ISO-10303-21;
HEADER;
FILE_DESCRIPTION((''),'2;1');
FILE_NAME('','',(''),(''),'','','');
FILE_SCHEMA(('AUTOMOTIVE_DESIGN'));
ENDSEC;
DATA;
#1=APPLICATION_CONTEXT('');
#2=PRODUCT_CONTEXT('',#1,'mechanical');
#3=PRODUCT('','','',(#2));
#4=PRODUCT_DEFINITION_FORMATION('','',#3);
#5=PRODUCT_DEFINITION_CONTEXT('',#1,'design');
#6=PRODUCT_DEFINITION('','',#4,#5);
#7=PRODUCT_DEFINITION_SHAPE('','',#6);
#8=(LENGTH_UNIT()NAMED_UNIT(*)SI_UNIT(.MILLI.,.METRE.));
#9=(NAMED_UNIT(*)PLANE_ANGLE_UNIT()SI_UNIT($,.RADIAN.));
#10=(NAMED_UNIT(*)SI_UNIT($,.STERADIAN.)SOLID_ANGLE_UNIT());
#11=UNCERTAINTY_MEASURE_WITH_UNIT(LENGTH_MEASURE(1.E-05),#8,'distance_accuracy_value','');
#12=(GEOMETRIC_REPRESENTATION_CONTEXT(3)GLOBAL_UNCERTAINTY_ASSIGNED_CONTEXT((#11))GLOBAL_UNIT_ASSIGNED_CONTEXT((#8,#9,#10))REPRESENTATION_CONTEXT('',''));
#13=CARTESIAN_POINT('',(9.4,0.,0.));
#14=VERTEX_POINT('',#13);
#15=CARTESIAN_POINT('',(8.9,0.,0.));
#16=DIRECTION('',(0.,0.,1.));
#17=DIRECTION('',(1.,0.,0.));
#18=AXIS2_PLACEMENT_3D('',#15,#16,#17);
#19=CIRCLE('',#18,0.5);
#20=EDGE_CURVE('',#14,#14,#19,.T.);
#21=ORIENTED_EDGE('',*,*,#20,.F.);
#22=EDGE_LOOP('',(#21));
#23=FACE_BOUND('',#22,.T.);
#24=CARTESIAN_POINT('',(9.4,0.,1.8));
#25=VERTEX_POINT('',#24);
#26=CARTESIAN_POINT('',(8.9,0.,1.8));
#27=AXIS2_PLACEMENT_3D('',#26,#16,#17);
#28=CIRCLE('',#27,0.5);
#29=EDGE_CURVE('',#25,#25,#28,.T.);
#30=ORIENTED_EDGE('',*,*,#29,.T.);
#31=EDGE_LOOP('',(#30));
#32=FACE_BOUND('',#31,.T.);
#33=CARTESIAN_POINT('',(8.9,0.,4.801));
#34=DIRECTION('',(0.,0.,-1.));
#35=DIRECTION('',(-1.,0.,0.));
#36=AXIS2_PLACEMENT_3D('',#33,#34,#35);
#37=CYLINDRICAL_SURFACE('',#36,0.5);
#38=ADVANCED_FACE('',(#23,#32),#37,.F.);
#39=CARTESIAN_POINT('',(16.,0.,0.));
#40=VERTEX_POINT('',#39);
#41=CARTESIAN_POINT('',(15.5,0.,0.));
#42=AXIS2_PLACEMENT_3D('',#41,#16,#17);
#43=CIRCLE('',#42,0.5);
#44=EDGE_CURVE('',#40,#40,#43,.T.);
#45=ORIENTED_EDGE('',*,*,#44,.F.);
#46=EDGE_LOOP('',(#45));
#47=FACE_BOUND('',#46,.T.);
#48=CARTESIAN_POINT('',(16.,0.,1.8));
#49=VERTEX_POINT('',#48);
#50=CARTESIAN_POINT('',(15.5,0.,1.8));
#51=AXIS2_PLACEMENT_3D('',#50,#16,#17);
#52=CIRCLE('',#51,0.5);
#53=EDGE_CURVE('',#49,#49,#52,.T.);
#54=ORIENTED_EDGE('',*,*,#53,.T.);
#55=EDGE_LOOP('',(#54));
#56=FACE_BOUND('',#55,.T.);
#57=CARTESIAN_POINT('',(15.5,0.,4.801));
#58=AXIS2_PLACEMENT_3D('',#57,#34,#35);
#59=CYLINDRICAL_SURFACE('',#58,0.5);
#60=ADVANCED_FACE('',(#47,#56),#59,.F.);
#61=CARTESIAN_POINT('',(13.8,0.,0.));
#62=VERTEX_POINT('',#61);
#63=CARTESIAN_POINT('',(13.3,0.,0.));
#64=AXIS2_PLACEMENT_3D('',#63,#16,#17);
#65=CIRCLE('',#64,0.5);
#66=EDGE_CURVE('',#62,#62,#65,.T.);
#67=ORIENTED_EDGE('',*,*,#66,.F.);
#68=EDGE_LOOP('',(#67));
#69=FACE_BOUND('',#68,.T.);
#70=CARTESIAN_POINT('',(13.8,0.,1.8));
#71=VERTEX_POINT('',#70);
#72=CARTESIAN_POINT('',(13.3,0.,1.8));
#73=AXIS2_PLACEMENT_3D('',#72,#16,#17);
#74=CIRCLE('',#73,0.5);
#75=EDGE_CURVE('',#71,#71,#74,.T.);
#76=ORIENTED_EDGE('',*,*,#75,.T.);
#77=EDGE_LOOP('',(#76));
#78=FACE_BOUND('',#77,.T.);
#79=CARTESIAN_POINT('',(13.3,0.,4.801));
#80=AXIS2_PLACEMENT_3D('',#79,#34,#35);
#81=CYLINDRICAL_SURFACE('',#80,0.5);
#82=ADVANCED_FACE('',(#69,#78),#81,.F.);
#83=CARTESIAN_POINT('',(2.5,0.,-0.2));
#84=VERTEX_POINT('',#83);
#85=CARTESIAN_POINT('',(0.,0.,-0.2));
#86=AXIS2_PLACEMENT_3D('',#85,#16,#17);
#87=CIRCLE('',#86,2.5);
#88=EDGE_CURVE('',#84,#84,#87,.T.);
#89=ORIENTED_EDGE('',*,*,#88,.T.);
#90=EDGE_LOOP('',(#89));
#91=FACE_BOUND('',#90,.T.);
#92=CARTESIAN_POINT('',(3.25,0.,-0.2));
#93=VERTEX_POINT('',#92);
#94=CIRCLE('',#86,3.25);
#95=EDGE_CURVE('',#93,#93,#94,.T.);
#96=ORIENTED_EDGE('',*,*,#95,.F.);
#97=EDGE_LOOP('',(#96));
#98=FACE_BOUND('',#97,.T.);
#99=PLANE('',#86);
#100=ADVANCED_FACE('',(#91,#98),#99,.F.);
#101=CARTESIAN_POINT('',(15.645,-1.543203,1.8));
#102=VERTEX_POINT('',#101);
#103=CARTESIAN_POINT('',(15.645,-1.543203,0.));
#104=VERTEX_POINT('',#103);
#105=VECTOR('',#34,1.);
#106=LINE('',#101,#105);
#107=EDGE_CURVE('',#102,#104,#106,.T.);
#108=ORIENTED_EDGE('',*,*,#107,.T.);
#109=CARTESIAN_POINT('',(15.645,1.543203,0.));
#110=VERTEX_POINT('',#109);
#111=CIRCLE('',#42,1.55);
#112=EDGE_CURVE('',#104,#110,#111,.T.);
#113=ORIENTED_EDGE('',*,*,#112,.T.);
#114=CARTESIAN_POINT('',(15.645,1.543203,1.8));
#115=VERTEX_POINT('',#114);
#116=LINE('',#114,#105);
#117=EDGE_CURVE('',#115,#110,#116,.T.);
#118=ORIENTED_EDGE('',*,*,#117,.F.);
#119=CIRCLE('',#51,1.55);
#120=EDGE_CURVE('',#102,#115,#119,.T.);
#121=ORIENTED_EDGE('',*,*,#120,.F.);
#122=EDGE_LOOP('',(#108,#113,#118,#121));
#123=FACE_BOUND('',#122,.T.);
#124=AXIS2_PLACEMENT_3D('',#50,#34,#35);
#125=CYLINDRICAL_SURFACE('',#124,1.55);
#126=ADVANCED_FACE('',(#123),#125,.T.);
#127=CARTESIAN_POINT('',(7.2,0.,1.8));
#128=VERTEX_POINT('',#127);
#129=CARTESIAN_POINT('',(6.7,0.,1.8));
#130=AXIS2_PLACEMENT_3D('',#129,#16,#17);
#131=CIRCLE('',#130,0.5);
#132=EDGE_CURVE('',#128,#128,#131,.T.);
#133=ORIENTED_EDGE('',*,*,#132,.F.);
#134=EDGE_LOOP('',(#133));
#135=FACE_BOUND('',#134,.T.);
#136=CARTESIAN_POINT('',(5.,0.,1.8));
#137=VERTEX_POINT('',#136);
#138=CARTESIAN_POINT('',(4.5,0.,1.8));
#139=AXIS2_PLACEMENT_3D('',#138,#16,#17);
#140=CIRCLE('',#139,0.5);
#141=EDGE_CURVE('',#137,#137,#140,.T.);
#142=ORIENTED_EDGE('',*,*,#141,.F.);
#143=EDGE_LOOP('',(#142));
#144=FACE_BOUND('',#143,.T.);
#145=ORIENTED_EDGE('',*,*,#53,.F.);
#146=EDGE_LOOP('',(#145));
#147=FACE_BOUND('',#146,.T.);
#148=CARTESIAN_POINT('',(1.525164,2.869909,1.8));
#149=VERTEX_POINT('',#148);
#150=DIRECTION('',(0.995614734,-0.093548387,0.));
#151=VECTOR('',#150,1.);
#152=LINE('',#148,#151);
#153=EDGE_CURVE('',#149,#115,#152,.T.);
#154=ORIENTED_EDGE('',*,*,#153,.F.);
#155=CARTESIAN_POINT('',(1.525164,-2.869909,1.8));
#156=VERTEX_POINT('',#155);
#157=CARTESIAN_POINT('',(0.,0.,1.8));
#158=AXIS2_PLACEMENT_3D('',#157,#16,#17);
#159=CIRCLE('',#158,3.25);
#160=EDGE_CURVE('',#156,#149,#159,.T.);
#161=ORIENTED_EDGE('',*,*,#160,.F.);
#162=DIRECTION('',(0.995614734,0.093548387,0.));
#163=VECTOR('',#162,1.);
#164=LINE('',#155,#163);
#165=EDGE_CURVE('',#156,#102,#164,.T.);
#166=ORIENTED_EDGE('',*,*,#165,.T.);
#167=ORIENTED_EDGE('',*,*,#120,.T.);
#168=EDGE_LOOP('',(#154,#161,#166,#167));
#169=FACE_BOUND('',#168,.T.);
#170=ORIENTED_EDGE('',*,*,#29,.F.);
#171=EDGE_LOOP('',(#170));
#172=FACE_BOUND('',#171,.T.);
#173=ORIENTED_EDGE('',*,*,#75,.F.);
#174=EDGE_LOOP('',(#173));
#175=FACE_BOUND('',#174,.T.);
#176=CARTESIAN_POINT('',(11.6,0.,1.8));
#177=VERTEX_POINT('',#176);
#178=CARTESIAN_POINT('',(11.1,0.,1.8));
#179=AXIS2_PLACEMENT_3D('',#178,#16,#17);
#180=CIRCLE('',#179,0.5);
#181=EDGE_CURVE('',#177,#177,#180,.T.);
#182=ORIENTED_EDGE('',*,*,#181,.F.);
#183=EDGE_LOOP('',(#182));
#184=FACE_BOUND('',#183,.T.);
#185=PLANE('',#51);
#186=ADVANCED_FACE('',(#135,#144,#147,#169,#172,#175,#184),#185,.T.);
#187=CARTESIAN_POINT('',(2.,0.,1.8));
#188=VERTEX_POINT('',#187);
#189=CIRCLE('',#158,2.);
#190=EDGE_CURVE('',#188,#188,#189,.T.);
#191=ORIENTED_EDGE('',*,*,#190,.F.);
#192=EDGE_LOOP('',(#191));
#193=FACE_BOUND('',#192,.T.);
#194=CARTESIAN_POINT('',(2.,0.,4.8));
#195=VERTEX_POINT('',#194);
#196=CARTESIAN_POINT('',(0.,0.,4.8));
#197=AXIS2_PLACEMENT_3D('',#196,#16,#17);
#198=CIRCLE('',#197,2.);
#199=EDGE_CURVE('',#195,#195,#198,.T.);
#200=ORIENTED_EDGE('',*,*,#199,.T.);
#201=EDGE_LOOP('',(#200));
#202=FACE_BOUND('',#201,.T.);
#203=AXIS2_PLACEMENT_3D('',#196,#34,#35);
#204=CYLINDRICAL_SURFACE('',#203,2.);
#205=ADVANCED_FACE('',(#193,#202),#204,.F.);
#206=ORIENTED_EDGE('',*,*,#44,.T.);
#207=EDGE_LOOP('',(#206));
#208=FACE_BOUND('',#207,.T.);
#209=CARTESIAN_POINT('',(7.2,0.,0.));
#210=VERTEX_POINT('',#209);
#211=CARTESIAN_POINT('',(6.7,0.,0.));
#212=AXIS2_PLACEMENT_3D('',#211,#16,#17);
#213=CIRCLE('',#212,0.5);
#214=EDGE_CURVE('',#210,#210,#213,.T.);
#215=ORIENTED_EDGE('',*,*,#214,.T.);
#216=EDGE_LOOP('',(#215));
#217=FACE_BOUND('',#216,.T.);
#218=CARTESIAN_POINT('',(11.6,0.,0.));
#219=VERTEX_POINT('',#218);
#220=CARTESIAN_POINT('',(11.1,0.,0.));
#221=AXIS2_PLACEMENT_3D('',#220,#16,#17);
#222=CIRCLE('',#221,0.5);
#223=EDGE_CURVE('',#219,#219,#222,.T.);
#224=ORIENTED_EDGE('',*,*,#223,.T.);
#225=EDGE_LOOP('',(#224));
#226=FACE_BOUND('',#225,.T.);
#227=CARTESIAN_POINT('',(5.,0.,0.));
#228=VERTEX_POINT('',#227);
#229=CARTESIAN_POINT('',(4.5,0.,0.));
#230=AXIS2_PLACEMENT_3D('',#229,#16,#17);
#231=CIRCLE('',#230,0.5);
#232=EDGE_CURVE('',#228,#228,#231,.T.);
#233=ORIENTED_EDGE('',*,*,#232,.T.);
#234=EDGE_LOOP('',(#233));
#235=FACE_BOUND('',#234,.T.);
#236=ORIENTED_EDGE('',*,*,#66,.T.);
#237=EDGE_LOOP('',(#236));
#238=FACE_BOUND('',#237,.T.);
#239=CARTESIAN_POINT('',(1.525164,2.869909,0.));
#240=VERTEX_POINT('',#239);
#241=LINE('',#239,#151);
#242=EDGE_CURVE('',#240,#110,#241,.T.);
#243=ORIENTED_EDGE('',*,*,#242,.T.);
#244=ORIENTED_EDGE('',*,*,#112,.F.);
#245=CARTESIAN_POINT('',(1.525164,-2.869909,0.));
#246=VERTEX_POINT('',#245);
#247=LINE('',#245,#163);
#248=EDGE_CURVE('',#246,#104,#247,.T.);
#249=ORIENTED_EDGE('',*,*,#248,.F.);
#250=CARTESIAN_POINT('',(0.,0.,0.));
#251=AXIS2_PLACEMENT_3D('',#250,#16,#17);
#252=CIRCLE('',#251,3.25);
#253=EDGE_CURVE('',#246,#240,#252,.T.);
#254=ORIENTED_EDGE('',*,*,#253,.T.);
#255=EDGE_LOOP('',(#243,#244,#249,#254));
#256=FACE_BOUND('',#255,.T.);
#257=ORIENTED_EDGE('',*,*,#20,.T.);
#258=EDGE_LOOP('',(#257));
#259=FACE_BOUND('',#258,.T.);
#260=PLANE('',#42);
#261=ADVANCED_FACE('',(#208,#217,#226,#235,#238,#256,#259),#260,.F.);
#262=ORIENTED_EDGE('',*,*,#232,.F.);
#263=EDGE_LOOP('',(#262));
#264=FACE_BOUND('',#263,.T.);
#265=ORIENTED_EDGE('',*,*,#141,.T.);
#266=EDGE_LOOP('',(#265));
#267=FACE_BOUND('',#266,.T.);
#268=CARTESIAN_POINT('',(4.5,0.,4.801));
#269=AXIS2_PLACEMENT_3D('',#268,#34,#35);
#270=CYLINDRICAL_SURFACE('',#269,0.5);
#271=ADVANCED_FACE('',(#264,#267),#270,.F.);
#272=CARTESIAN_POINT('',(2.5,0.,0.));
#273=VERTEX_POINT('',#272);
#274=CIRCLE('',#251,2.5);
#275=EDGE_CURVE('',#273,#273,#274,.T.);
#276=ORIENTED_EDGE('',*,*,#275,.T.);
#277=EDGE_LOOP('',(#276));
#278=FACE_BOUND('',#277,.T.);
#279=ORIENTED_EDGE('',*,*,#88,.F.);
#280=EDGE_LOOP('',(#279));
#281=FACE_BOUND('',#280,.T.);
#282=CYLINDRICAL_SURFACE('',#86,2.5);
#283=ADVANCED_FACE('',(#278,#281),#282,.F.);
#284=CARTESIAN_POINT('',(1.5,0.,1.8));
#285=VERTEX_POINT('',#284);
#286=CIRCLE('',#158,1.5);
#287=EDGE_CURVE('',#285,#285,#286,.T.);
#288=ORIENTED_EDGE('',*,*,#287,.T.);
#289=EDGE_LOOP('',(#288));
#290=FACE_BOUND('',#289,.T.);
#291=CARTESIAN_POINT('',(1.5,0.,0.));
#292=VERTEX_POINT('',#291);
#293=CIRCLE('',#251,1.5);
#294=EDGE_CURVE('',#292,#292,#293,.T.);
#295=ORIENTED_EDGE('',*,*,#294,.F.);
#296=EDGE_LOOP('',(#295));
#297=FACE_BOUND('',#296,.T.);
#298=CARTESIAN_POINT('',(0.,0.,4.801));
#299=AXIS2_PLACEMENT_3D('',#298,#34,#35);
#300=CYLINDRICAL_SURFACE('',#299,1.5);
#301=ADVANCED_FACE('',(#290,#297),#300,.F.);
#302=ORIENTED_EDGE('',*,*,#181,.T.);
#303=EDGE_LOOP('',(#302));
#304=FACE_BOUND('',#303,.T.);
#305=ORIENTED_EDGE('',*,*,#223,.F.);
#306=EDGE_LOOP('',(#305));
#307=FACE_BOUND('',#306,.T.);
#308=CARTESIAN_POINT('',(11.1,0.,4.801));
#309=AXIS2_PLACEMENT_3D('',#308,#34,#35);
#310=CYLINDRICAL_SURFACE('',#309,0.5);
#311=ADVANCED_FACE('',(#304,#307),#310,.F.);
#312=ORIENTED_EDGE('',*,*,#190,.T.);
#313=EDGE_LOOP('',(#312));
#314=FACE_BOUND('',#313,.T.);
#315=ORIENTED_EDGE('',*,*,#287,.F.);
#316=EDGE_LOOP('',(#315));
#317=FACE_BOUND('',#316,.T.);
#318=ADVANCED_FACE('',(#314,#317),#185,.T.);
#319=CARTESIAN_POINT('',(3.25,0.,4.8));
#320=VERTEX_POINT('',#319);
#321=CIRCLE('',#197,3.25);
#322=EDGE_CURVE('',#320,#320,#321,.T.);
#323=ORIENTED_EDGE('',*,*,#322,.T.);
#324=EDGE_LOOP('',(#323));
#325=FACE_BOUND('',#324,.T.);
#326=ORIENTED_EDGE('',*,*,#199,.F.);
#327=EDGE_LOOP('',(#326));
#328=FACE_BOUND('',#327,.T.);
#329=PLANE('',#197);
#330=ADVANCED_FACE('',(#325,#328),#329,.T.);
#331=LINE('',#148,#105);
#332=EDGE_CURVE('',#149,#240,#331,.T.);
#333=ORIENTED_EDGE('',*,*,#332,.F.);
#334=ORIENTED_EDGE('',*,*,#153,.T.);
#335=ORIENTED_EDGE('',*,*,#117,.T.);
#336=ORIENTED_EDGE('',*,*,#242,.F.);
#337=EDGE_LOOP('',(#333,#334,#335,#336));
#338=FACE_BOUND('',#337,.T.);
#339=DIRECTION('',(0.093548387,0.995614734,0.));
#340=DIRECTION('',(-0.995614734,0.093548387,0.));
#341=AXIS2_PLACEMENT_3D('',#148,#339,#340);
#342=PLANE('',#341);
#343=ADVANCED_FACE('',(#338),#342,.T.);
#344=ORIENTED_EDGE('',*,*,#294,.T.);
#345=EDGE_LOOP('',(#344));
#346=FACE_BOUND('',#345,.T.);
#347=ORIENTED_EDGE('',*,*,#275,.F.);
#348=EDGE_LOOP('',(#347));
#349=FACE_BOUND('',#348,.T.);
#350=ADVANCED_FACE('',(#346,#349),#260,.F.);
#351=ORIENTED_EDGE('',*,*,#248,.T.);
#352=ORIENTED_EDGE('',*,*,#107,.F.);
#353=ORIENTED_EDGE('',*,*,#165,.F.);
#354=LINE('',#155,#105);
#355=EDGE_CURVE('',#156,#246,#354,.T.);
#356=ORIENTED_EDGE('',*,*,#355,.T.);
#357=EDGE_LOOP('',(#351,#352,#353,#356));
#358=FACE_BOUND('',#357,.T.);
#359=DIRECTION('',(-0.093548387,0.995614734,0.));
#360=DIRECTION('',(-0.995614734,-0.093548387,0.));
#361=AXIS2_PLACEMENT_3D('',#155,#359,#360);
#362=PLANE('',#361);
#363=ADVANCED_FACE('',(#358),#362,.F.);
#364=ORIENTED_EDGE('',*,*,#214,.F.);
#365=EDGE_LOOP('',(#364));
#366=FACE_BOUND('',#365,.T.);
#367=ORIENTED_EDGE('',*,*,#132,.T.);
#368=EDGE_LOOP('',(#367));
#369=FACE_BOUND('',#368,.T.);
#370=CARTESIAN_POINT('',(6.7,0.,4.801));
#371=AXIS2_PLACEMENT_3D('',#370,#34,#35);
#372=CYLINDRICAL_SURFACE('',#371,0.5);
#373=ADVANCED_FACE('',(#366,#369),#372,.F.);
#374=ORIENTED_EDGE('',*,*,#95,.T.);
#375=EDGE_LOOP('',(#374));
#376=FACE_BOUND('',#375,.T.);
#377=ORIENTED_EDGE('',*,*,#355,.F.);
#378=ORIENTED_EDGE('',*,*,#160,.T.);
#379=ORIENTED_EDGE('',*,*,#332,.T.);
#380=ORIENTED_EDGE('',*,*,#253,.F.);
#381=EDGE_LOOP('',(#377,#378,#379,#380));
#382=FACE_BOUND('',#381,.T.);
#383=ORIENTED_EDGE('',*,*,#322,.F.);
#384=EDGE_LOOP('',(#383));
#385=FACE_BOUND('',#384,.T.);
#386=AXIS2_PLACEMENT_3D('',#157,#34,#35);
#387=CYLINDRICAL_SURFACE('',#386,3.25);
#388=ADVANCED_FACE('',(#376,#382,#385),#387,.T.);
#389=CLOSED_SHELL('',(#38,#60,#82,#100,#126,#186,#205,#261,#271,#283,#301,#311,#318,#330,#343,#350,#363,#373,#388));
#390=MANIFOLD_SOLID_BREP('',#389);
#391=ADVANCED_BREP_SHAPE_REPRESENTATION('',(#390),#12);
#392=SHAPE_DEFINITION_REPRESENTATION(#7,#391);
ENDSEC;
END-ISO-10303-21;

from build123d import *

# Parameters (mm, degrees)
BOSS_EXTRUDE1_DEPTH = 1.8
SKETCH2_R           = 3.25
SKETCH2_R_2         = 2.5
BOSS_EXTRUDE3_DEPTH = 0.2
SKETCH5_R           = 3.25
SKETCH5_R_2         = 2
BOSS_EXTRUDE4_DEPTH = 3
CUT_EXTRUDE1_REACH  = 6.8
SKETCH6_R           = 1.5
CUT_EXTRUDE2_REACH  = 6.8
SKETCH8_R           = 0.5


with BuildPart() as part:
    # Sketch1 → Boss-Extrude1 (new body)
    with BuildSketch(Plane.XY):
        with BuildLine():
            Line((1.525163579, 2.869908719), (15.645, 1.543202838))
            ThreePointArc((15.645, 1.543202838), (17.05, 0), (15.645, -1.543202838))
            Line((15.645, -1.543202838), (1.525163579, -2.869908719))
            ThreePointArc((1.525163579, -2.869908719), (-3.25, 0), (1.525163579, 2.869908719))
        make_face()
    extrude(amount=BOSS_EXTRUDE1_DEPTH)

    # Sketch2 → Boss-Extrude3 (add)
    with BuildSketch(Plane.XY):
        Circle(SKETCH2_R)
        Circle(SKETCH2_R_2, mode=Mode.SUBTRACT)
    extrude(amount=-BOSS_EXTRUDE3_DEPTH)

    # Sketch5 → Boss-Extrude4 (add)
    with BuildSketch(Plane.XY.offset(1.8)):
        Circle(SKETCH5_R)
        Circle(SKETCH5_R_2, mode=Mode.SUBTRACT)
    extrude(amount=BOSS_EXTRUDE4_DEPTH)

    # Sketch6 → Cut-Extrude1 (cut, up to next)
    with BuildSketch(Plane.XY, mode=Mode.PRIVATE) as cut_extrude1_sk1:
        Circle(SKETCH6_R)
    cut_extrude1_tool1 = extrude(cut_extrude1_sk1.sketch, amount=CUT_EXTRUDE1_REACH, mode=Mode.PRIVATE) & part.part
    add(cut_extrude1_tool1.solids().sort_by_distance((0, 0, 0))[0], mode=Mode.SUBTRACT)

    # Sketch8 → Cut-Extrude2 (cut, up to next)
    with BuildSketch(Plane.XY, mode=Mode.PRIVATE) as cut_extrude2_sk1:
        with Locations((15.5, 0)):
            Circle(SKETCH8_R)
    cut_extrude2_tool1 = extrude(cut_extrude2_sk1.sketch, amount=CUT_EXTRUDE2_REACH, mode=Mode.PRIVATE) & part.part
    add(cut_extrude2_tool1.solids().sort_by_distance((15.5, 0, 0))[0], mode=Mode.SUBTRACT)
    # Sketch8 → Cut-Extrude2 (cut, up to next)
    with BuildSketch(Plane.XY, mode=Mode.PRIVATE) as cut_extrude2_sk2:
        with Locations((13.3, 0)):
            Circle(SKETCH8_R)
    cut_extrude2_tool2 = extrude(cut_extrude2_sk2.sketch, amount=CUT_EXTRUDE2_REACH, mode=Mode.PRIVATE) & part.part
    add(cut_extrude2_tool2.solids().sort_by_distance((13.3, 0, 0))[0], mode=Mode.SUBTRACT)
    # Sketch8 → Cut-Extrude2 (cut, up to next)
    with BuildSketch(Plane.XY, mode=Mode.PRIVATE) as cut_extrude2_sk3:
        with Locations((11.1, 0)):
            Circle(SKETCH8_R)
    cut_extrude2_tool3 = extrude(cut_extrude2_sk3.sketch, amount=CUT_EXTRUDE2_REACH, mode=Mode.PRIVATE) & part.part
    add(cut_extrude2_tool3.solids().sort_by_distance((11.1, 0, 0))[0], mode=Mode.SUBTRACT)
    # Sketch8 → Cut-Extrude2 (cut, up to next)
    with BuildSketch(Plane.XY, mode=Mode.PRIVATE) as cut_extrude2_sk4:
        with Locations((8.9, 0)):
            Circle(SKETCH8_R)
    cut_extrude2_tool4 = extrude(cut_extrude2_sk4.sketch, amount=CUT_EXTRUDE2_REACH, mode=Mode.PRIVATE) & part.part
    add(cut_extrude2_tool4.solids().sort_by_distance((8.9, 0, 0))[0], mode=Mode.SUBTRACT)
    # Sketch8 → Cut-Extrude2 (cut, up to next)
    with BuildSketch(Plane.XY, mode=Mode.PRIVATE) as cut_extrude2_sk5:
        with Locations((6.7, 0)):
            Circle(SKETCH8_R)
    cut_extrude2_tool5 = extrude(cut_extrude2_sk5.sketch, amount=CUT_EXTRUDE2_REACH, mode=Mode.PRIVATE) & part.part
    add(cut_extrude2_tool5.solids().sort_by_distance((6.7, 0, 0))[0], mode=Mode.SUBTRACT)
    # Sketch8 → Cut-Extrude2 (cut, up to next)
    with BuildSketch(Plane.XY, mode=Mode.PRIVATE) as cut_extrude2_sk6:
        with Locations((4.5, 0)):
            Circle(SKETCH8_R)
    cut_extrude2_tool6 = extrude(cut_extrude2_sk6.sketch, amount=CUT_EXTRUDE2_REACH, mode=Mode.PRIVATE) & part.part
    add(cut_extrude2_tool6.solids().sort_by_distance((4.5, 0, 0))[0], mode=Mode.SUBTRACT)


solid = part.part
